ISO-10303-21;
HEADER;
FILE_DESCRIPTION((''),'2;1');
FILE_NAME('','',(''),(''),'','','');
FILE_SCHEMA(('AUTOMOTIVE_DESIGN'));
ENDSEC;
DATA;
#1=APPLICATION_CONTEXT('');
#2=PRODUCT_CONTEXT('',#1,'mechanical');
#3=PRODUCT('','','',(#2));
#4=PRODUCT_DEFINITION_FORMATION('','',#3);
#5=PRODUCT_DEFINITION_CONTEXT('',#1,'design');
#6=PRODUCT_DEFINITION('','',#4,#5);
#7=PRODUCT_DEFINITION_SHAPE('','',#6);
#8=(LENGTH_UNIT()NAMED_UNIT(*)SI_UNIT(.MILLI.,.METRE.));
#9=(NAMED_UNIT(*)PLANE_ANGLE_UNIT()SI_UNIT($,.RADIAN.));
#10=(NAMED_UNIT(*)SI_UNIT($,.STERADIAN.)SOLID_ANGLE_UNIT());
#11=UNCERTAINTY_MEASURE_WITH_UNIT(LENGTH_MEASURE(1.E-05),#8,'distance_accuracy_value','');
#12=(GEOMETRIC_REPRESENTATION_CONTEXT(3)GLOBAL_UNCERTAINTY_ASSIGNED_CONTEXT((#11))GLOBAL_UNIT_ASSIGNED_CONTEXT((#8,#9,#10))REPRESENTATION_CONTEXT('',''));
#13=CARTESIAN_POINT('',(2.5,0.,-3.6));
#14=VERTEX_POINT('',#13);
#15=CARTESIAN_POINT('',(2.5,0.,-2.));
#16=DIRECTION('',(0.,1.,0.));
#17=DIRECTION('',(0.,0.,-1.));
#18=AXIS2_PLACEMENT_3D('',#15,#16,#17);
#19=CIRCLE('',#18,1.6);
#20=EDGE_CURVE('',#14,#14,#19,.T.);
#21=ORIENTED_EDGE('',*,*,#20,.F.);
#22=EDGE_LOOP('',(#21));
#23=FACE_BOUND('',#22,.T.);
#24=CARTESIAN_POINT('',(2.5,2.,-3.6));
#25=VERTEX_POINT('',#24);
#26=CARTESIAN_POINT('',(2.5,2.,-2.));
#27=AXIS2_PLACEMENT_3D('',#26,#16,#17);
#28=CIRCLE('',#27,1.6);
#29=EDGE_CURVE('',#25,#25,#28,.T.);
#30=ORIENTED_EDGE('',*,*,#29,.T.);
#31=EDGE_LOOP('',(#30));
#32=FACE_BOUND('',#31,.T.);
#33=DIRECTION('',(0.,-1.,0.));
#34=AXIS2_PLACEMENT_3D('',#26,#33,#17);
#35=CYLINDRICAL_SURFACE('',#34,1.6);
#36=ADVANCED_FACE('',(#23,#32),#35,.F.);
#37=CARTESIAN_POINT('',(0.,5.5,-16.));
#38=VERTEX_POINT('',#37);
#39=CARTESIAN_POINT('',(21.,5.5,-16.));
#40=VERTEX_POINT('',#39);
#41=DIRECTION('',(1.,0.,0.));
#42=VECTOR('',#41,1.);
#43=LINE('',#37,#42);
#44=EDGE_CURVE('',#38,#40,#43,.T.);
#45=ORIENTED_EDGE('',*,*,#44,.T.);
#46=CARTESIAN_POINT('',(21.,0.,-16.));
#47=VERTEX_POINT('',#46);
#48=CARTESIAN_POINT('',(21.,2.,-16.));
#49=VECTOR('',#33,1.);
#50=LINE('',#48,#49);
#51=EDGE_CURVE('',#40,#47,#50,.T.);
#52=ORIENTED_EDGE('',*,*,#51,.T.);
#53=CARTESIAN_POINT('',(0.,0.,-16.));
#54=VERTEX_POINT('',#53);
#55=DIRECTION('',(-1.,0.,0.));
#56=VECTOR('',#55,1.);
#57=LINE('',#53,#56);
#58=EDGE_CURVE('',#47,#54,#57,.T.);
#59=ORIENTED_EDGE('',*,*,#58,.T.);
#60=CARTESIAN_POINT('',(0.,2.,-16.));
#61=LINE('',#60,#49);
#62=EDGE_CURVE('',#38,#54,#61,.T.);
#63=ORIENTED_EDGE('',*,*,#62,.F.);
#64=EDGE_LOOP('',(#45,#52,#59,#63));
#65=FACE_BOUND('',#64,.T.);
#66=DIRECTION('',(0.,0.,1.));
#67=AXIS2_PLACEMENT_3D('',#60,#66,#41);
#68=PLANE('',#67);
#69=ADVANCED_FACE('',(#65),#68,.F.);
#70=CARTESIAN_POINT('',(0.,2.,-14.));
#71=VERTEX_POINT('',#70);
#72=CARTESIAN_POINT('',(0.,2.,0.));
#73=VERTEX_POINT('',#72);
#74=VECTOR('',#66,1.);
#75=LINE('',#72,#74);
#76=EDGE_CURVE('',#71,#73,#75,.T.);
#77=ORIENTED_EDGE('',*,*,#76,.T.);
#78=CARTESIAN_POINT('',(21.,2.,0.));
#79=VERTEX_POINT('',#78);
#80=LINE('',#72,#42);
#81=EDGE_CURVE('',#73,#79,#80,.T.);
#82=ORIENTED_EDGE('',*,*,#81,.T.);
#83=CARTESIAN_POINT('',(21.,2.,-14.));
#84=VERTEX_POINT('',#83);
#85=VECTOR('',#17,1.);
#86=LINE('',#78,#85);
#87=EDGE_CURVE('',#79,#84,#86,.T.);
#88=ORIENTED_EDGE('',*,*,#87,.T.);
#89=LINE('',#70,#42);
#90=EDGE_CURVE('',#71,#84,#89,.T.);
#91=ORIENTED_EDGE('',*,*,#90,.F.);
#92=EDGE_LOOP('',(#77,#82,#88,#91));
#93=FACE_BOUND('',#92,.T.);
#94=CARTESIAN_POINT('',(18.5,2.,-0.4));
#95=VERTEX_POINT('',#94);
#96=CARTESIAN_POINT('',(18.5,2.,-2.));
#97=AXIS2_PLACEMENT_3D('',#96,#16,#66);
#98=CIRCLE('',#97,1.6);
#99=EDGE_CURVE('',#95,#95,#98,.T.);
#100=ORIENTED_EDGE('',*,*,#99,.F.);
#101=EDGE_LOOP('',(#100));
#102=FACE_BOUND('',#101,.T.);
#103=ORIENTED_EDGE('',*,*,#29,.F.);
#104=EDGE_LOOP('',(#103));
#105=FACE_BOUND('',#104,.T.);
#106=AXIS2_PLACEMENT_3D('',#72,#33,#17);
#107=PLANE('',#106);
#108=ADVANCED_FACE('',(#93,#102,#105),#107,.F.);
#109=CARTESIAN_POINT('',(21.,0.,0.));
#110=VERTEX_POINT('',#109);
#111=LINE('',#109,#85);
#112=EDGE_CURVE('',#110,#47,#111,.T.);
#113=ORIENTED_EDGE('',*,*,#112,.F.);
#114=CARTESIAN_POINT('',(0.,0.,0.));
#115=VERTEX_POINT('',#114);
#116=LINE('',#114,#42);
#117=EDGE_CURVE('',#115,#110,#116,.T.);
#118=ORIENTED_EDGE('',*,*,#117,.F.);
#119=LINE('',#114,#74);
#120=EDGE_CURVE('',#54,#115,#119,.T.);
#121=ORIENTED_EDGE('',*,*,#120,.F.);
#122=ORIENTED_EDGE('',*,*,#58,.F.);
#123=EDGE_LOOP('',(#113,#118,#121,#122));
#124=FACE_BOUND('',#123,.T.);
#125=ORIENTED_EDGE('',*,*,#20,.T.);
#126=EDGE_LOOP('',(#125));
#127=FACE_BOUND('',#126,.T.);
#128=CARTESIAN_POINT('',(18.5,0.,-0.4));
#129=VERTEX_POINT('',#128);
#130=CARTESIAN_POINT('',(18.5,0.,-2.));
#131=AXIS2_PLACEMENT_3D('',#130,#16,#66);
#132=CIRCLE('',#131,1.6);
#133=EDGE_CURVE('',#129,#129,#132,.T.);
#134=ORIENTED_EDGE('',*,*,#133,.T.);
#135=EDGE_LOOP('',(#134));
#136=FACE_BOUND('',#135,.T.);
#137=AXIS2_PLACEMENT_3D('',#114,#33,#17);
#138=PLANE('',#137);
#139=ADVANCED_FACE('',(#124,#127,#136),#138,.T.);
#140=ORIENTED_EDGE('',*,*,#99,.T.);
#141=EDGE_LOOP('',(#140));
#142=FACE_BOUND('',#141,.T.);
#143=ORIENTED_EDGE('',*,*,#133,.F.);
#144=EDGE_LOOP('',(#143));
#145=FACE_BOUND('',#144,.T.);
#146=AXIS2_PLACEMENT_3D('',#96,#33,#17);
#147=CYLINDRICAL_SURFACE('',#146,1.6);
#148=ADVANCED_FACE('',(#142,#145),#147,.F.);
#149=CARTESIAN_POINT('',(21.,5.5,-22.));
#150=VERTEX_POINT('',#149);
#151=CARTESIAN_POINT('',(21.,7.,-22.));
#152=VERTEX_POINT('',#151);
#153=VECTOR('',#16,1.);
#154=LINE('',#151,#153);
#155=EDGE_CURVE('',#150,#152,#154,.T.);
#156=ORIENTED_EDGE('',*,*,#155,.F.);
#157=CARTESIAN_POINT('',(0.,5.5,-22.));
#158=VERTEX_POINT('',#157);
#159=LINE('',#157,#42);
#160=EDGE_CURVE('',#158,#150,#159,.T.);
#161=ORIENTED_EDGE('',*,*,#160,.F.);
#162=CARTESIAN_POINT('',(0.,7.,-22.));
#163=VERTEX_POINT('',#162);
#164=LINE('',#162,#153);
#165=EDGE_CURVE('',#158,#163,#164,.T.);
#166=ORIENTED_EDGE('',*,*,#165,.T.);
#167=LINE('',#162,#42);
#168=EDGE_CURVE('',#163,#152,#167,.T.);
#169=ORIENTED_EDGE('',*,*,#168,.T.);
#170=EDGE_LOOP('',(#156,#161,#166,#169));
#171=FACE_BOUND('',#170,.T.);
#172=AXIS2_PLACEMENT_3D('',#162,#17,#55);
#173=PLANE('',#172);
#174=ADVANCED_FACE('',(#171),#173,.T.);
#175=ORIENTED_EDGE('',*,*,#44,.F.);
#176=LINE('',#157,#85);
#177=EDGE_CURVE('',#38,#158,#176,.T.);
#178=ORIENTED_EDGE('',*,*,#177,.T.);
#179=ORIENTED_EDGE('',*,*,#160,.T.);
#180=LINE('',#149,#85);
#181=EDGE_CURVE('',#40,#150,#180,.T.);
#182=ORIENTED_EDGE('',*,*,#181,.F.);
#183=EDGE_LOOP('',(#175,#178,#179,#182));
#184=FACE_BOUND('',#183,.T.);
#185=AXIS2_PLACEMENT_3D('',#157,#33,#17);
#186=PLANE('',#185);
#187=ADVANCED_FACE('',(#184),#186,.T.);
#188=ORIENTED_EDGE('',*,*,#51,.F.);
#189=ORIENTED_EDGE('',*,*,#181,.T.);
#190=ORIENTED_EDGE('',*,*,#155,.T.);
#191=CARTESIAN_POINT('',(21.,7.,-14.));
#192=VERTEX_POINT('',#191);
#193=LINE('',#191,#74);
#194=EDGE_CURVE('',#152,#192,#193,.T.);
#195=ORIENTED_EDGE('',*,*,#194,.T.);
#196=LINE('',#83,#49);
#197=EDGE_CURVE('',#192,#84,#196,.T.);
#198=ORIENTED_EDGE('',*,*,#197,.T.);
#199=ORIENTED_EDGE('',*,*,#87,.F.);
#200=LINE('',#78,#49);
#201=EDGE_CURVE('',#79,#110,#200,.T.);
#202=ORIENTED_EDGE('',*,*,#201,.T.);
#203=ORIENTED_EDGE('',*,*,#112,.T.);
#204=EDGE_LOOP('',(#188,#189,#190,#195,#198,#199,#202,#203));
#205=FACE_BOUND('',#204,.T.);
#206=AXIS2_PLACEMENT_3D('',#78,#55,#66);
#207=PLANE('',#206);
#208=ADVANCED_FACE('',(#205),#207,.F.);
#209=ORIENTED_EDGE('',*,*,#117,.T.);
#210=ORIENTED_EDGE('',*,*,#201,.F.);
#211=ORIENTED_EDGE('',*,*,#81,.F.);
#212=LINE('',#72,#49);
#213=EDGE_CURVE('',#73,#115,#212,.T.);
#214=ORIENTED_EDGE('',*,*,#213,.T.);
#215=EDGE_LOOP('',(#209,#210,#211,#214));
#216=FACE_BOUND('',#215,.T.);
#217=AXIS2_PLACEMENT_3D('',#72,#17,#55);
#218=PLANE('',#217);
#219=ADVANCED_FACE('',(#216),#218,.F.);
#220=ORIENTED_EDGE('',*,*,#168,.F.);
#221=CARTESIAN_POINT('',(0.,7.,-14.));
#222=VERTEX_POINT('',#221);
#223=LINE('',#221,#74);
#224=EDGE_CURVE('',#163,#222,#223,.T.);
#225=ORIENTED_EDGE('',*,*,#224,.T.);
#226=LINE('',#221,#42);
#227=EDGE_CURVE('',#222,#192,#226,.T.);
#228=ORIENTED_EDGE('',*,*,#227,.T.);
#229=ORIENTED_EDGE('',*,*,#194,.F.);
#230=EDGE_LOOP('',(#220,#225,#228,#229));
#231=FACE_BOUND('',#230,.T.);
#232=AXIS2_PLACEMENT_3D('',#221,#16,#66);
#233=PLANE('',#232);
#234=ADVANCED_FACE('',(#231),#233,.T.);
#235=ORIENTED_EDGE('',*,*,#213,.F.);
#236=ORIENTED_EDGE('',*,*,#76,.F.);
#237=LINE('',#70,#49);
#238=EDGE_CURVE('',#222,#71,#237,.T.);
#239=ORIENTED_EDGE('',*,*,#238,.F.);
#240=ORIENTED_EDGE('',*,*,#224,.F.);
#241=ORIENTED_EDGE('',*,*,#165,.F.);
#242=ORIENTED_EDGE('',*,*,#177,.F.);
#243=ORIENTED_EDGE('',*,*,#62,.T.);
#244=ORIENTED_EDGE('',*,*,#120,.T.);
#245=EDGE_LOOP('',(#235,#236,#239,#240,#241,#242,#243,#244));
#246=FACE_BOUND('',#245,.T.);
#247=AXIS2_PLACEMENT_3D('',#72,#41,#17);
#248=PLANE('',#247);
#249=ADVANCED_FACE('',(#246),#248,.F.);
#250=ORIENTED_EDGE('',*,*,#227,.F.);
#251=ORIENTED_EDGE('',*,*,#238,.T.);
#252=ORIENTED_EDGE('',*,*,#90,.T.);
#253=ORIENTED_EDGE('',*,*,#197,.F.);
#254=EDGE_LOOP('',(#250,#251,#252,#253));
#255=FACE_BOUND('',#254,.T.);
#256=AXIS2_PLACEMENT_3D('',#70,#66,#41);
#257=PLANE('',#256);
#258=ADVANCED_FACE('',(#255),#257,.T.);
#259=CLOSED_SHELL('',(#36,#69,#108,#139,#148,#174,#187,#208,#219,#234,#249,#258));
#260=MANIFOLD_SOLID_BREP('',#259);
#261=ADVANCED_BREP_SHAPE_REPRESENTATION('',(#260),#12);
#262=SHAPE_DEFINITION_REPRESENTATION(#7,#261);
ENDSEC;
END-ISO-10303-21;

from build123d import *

# Parameters (mm, degrees)
SKETCH_1_W      = 21
SKETCH_1_H      = 16
SKETCH_1_R      = 1.6
EXTRUDE_1_DEPTH = 2
EXTRUDE_2_DEPTH = 21


with BuildPart() as part:
    # 草图1 → 凸台-拉伸1 (new body)
    with BuildSketch(Plane(origin=(0, 0, 0), x_dir=(1, 0, 0), z_dir=(0, 1, 0))):
        with Locations((10.5, 8)):
            Rectangle(SKETCH_1_W, SKETCH_1_H)
        with Locations(Location((18.5, 2, 0), (0, 0, 270))):
            Circle(SKETCH_1_R, mode=Mode.SUBTRACT)
        with Locations(Location((2.5, 2, 0), (0, 0, 90))):
            Circle(SKETCH_1_R, mode=Mode.SUBTRACT)
    extrude(amount=EXTRUDE_1_DEPTH)

    # 草图3 → 凸台-拉伸2 (add)
    with BuildSketch(Plane(origin=(21, 0, 0), x_dir=(0, 0, -1), z_dir=(1, 0, 0))):
        Polygon((16, 2), (14, 2), (14, 7), (22, 7), (22, 5.5), (16, 5.5), align=None)
    extrude(amount=-EXTRUDE_2_DEPTH)


solid = part.part
